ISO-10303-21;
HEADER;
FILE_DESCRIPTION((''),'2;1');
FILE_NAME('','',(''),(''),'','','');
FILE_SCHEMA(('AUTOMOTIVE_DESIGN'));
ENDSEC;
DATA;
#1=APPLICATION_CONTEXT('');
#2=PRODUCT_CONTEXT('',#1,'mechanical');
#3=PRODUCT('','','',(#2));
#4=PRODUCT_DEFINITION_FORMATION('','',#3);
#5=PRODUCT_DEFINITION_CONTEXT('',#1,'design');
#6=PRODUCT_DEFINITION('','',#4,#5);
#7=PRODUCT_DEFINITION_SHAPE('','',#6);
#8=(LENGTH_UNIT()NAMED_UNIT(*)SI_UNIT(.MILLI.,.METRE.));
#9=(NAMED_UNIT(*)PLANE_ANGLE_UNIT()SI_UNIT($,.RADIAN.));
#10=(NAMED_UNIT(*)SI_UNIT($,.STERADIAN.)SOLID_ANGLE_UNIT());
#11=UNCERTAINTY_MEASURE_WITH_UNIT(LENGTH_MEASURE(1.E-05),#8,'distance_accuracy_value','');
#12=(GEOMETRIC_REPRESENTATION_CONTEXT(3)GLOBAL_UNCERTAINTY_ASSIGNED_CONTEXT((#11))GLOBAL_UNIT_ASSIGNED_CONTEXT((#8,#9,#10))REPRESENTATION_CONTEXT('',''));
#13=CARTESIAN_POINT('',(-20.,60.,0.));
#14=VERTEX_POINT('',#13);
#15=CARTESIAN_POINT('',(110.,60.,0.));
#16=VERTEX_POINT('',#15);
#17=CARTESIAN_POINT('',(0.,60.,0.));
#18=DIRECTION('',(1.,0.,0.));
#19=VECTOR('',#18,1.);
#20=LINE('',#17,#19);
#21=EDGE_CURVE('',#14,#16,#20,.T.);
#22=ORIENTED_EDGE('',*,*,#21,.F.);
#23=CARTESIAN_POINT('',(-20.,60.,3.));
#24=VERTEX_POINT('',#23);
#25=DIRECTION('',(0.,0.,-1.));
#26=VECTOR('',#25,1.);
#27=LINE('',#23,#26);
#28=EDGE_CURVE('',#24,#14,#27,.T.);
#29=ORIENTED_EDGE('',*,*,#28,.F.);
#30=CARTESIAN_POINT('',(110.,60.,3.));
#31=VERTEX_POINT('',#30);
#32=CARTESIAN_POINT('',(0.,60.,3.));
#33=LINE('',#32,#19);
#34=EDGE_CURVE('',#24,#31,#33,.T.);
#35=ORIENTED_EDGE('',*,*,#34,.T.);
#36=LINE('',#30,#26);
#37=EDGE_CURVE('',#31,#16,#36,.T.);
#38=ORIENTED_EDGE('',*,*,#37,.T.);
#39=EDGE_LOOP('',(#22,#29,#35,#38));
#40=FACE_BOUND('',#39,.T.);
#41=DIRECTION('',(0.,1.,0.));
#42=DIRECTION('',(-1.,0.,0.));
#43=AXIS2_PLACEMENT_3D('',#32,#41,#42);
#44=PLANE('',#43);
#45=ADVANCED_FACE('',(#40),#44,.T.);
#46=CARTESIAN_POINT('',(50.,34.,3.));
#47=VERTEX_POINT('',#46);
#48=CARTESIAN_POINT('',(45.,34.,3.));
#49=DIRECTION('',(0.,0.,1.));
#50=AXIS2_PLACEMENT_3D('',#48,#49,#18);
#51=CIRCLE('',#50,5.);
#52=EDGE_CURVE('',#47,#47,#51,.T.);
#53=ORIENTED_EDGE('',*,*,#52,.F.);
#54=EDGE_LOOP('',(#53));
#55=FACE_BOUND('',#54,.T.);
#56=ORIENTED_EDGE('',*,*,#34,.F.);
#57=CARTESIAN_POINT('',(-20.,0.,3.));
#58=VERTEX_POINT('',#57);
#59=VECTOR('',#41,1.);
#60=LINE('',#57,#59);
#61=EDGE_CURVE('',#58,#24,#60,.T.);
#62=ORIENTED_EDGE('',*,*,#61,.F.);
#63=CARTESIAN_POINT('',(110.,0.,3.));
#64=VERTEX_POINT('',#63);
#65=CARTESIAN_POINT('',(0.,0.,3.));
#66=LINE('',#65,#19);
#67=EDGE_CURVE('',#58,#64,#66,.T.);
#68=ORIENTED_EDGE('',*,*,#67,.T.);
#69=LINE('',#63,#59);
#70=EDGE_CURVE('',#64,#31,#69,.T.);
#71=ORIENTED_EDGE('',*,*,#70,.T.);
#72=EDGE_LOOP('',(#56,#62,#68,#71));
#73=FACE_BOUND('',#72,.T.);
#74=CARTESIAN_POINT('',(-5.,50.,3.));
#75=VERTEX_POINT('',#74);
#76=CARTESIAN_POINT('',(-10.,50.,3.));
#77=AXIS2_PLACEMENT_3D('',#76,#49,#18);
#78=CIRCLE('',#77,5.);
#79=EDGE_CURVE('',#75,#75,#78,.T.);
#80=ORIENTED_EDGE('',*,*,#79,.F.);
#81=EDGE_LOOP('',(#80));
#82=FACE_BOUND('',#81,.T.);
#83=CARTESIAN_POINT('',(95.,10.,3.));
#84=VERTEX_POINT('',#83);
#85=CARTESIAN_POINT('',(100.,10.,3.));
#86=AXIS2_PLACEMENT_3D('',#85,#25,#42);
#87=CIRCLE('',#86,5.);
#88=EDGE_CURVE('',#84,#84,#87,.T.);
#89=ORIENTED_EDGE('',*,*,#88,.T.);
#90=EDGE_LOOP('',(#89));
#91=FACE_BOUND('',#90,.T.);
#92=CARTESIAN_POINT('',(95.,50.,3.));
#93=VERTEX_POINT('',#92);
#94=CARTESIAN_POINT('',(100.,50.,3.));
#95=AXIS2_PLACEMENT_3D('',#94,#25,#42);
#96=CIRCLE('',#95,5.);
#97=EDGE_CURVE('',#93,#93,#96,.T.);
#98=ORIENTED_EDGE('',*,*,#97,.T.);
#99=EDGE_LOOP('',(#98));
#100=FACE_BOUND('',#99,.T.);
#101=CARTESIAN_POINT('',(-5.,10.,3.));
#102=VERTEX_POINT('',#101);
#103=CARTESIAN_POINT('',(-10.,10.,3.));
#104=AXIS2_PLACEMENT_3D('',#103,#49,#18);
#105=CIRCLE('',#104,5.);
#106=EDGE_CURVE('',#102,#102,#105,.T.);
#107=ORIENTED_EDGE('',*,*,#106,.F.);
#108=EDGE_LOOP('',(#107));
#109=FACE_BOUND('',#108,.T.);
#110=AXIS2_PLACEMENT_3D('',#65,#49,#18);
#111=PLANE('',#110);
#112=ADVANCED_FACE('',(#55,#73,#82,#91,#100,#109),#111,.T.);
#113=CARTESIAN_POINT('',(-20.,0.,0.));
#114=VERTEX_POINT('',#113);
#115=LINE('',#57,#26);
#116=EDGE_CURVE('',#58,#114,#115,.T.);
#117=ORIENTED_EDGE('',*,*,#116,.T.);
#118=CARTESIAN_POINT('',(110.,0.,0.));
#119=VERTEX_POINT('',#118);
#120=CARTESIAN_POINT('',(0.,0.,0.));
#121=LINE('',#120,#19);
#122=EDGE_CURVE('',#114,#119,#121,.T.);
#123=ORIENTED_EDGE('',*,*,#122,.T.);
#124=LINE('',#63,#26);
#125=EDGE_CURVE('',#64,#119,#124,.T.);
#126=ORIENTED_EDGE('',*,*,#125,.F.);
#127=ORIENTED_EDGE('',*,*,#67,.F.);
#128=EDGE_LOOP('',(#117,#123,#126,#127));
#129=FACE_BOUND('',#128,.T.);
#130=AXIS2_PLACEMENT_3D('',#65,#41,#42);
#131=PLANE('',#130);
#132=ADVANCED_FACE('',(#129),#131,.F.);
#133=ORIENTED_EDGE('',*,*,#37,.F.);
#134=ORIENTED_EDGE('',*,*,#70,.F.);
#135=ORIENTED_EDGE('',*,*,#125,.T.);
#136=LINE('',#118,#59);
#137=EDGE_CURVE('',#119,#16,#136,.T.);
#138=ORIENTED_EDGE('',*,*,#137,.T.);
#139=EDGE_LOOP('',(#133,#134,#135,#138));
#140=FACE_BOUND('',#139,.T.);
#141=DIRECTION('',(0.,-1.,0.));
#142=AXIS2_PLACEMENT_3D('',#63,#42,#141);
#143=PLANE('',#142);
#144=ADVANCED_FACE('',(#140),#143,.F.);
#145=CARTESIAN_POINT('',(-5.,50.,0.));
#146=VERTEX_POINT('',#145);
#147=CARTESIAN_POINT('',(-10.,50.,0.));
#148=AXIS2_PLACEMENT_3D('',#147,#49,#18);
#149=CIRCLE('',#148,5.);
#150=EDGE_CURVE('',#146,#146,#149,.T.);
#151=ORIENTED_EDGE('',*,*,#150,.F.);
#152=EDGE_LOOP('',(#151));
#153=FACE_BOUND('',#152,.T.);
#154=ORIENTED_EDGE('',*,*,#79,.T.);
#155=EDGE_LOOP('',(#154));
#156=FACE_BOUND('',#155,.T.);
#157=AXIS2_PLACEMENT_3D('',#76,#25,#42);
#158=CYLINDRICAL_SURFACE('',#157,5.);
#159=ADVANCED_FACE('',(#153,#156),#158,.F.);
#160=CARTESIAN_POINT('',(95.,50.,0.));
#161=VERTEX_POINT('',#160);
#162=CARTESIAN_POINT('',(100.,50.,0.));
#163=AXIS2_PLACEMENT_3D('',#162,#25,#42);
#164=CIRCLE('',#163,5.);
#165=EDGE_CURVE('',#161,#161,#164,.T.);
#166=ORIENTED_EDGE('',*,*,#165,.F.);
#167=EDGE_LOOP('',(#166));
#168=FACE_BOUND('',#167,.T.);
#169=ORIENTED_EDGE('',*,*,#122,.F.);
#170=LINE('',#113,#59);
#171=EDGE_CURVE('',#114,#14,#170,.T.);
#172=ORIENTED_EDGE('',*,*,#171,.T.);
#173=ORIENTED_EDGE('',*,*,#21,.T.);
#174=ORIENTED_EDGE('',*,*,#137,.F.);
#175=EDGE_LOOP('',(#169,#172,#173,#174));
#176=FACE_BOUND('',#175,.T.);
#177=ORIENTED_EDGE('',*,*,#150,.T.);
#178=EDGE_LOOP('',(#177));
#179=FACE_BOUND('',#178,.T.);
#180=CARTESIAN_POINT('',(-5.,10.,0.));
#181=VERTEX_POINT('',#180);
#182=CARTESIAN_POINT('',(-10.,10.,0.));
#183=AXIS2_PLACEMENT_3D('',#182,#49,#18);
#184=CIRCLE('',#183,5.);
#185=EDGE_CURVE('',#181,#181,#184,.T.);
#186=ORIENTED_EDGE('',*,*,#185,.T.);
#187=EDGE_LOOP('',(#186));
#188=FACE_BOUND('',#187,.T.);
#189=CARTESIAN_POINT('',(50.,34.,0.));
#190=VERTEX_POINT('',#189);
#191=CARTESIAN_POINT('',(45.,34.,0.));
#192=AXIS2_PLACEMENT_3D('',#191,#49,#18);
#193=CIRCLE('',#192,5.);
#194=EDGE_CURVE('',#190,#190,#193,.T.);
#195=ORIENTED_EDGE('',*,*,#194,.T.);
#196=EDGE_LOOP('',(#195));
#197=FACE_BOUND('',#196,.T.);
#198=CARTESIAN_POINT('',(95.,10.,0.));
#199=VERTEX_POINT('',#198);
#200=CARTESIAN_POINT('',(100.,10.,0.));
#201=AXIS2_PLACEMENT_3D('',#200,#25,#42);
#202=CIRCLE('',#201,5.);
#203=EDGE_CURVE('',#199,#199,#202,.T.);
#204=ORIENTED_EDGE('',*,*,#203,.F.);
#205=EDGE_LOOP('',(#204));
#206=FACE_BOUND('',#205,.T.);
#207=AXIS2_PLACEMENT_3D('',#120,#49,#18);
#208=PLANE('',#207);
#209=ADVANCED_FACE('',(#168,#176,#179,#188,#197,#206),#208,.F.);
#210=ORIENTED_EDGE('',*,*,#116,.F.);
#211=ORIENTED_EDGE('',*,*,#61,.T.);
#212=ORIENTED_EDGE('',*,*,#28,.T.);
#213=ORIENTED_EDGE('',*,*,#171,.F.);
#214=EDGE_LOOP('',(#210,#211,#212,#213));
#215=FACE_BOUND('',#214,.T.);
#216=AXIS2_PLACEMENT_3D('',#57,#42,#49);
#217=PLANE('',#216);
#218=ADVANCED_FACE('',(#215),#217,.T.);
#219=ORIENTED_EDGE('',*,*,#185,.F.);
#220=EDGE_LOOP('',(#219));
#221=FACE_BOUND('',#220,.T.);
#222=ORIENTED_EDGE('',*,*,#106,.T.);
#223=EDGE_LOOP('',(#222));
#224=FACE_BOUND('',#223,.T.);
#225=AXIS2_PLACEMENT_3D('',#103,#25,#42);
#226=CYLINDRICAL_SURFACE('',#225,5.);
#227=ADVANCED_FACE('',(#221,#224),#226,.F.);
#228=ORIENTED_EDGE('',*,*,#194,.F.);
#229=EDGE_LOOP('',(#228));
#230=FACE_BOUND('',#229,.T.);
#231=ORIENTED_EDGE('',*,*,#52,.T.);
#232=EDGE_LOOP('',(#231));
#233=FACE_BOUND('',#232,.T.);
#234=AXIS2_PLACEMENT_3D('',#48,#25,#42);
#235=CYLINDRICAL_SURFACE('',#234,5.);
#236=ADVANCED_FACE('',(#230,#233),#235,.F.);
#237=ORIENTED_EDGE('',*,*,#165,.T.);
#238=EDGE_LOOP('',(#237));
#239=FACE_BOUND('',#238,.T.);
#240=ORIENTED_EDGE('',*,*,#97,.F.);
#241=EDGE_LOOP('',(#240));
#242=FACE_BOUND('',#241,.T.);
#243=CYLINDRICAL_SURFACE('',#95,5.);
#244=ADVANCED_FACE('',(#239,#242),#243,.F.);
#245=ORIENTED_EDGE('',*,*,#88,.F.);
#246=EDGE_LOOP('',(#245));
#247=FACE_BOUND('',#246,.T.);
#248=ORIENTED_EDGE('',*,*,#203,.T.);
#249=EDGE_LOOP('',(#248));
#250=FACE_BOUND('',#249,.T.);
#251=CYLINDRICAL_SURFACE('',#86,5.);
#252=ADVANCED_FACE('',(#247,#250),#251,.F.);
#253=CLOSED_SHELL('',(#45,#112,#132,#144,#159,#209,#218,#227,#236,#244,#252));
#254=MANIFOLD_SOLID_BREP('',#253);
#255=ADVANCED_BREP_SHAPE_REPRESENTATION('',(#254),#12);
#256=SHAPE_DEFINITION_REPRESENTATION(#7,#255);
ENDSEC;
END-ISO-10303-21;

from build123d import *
from build123d.topology import SkipClean

# Parameters (mm, degrees)
ESQUISSE1_R        = 5
BOSS_EXTRU_1_DEPTH = 3


with BuildPart() as part:
    # Esquisse1 → Boss.-Extru.1 (new body)
    with BuildSketch(Plane.XY):
        with BuildLine():
            Line((45, 39), (45, 60))
            Line((45, 60), (-20, 60))
            Line((-20, 60), (-20, 0))
            Line((-20, 0), (45, 0))
            Line((45, 0), (45, 29))
            ThreePointArc((45, 29), (40, 34), (45, 39))
        make_face()
        with Locations((-10, 50)):
            Circle(ESQUISSE1_R, mode=Mode.SUBTRACT)
        with Locations((-10, 10)):
            Circle(ESQUISSE1_R, mode=Mode.SUBTRACT)
    boss_extru_1 = extrude(amount=BOSS_EXTRU_1_DEPTH)

    # Symétrie1: Boss.-Extru.1 across plane
    with SkipClean():  # the faces are left unmerged after this step: merging them gives an invalid solid
        add(boss_extru_1.mirror(Plane(origin=(45, 0, 3), x_dir=(0, 0, 1), z_dir=(1, 0, 0))))


solid = part.part
